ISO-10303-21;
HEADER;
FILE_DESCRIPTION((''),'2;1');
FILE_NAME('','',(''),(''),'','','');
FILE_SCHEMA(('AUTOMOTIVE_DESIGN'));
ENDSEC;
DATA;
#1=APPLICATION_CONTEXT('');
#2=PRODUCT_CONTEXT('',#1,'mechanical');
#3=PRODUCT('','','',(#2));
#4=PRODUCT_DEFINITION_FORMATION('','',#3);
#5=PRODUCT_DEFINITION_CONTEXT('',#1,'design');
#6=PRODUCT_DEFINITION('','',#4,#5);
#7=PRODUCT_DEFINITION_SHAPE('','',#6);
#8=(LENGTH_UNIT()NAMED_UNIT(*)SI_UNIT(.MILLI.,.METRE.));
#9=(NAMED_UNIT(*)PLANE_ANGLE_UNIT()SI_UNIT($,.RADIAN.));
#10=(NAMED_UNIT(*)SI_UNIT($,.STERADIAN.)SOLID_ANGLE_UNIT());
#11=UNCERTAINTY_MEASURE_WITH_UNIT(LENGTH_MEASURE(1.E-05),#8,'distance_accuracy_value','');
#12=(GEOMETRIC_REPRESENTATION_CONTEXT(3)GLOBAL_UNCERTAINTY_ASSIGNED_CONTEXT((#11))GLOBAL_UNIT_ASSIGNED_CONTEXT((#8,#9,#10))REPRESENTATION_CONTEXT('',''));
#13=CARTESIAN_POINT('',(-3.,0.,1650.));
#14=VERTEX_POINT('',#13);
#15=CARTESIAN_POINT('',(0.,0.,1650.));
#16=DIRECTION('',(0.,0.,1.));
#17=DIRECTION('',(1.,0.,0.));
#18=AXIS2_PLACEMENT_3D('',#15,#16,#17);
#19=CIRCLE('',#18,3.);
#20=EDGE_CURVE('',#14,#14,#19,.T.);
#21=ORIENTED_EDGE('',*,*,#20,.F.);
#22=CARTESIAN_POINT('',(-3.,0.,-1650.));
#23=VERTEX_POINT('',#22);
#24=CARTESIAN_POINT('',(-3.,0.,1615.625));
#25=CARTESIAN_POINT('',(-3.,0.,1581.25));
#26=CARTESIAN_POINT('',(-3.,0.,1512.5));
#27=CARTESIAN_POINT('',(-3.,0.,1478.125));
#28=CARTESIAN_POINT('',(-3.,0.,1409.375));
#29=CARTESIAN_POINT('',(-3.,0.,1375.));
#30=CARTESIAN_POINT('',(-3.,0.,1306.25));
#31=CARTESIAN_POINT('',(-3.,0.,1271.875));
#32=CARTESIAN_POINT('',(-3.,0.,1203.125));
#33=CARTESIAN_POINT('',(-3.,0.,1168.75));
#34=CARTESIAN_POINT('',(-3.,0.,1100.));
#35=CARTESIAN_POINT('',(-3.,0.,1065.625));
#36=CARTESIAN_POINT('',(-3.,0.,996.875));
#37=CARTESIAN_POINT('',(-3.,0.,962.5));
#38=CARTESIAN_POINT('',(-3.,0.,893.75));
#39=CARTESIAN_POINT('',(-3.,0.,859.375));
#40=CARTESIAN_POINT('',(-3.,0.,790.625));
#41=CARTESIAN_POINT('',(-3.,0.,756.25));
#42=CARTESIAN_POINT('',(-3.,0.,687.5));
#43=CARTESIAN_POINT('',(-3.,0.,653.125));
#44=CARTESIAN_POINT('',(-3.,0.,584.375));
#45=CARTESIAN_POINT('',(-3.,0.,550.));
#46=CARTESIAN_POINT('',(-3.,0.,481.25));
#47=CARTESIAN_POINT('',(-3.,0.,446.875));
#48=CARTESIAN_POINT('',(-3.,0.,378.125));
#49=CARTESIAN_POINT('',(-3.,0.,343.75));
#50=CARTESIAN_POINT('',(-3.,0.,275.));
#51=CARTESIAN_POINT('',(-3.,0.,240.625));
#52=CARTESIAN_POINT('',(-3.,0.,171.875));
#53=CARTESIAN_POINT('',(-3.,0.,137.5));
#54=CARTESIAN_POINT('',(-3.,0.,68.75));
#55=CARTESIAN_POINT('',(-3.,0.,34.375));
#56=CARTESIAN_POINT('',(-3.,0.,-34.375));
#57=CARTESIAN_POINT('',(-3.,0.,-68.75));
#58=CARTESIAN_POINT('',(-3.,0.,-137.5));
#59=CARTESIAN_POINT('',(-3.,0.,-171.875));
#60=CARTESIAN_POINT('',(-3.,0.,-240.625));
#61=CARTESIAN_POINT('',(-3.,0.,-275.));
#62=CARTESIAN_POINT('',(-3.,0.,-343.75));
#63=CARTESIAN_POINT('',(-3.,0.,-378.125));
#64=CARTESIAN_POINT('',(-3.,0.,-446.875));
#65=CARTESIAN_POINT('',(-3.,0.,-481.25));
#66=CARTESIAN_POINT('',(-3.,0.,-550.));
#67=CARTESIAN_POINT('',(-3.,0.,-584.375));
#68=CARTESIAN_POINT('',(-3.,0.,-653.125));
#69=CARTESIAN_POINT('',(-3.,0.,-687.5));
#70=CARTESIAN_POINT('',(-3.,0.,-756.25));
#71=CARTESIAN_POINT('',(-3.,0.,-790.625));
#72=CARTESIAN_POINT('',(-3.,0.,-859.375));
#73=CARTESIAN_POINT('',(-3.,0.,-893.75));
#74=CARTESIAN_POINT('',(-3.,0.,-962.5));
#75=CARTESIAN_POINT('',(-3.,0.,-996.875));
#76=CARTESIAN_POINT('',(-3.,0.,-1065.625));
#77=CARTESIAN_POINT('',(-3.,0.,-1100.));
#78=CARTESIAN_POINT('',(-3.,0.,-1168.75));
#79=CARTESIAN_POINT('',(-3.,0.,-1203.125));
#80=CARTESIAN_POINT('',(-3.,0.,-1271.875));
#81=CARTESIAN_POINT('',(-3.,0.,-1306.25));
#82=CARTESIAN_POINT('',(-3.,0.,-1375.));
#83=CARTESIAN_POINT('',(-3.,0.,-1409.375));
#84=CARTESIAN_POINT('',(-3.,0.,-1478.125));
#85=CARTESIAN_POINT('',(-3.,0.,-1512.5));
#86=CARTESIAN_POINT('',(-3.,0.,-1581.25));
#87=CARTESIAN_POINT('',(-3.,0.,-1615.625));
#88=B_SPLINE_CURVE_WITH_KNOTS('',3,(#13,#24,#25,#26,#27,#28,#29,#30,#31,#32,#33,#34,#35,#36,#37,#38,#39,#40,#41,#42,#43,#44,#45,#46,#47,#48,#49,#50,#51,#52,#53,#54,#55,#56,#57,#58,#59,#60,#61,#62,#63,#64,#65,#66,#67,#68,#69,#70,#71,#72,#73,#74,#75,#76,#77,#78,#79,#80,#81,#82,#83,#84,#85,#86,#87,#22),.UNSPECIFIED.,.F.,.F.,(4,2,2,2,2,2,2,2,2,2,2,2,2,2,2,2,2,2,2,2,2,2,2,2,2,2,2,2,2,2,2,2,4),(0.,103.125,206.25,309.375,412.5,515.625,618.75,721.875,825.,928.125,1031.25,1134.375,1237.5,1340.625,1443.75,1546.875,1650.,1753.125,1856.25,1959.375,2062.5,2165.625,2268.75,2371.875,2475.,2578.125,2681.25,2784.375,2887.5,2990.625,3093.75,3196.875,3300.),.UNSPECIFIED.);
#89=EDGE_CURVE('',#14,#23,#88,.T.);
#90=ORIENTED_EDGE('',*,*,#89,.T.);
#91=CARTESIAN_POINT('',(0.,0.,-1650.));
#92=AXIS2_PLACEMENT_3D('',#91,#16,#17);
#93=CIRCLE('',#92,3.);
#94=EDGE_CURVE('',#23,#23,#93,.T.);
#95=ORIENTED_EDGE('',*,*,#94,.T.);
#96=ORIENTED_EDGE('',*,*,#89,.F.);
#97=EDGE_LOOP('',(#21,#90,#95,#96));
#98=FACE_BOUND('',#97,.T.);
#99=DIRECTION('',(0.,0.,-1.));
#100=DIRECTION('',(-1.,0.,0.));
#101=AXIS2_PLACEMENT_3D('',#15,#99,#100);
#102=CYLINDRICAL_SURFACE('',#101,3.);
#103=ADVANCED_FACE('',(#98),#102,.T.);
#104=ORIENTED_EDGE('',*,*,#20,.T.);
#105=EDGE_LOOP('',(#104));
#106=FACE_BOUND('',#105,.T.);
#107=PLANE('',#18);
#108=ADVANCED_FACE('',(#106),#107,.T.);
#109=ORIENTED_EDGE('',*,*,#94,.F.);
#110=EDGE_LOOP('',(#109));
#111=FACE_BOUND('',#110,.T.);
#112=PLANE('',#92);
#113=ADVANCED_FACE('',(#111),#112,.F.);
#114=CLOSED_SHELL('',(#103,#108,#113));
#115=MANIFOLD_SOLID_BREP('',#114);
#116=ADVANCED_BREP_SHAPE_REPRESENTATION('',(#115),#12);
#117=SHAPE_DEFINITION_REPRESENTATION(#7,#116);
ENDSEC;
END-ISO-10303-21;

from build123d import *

# Parameters (mm, degrees)
ESBO_O1_R                = 3
RESSALTO_EXTRUS_O1_DEPTH = 1650


with BuildPart() as part:
    # Esboço1 → Ressalto-extrusão1 (new, symmetric)
    with BuildSketch(Plane.XY):
        with Locations(Location((0, 0, 0), (0, 0, 180))):
            Circle(ESBO_O1_R)
    extrude(amount=RESSALTO_EXTRUS_O1_DEPTH, both=True)


solid = part.part
